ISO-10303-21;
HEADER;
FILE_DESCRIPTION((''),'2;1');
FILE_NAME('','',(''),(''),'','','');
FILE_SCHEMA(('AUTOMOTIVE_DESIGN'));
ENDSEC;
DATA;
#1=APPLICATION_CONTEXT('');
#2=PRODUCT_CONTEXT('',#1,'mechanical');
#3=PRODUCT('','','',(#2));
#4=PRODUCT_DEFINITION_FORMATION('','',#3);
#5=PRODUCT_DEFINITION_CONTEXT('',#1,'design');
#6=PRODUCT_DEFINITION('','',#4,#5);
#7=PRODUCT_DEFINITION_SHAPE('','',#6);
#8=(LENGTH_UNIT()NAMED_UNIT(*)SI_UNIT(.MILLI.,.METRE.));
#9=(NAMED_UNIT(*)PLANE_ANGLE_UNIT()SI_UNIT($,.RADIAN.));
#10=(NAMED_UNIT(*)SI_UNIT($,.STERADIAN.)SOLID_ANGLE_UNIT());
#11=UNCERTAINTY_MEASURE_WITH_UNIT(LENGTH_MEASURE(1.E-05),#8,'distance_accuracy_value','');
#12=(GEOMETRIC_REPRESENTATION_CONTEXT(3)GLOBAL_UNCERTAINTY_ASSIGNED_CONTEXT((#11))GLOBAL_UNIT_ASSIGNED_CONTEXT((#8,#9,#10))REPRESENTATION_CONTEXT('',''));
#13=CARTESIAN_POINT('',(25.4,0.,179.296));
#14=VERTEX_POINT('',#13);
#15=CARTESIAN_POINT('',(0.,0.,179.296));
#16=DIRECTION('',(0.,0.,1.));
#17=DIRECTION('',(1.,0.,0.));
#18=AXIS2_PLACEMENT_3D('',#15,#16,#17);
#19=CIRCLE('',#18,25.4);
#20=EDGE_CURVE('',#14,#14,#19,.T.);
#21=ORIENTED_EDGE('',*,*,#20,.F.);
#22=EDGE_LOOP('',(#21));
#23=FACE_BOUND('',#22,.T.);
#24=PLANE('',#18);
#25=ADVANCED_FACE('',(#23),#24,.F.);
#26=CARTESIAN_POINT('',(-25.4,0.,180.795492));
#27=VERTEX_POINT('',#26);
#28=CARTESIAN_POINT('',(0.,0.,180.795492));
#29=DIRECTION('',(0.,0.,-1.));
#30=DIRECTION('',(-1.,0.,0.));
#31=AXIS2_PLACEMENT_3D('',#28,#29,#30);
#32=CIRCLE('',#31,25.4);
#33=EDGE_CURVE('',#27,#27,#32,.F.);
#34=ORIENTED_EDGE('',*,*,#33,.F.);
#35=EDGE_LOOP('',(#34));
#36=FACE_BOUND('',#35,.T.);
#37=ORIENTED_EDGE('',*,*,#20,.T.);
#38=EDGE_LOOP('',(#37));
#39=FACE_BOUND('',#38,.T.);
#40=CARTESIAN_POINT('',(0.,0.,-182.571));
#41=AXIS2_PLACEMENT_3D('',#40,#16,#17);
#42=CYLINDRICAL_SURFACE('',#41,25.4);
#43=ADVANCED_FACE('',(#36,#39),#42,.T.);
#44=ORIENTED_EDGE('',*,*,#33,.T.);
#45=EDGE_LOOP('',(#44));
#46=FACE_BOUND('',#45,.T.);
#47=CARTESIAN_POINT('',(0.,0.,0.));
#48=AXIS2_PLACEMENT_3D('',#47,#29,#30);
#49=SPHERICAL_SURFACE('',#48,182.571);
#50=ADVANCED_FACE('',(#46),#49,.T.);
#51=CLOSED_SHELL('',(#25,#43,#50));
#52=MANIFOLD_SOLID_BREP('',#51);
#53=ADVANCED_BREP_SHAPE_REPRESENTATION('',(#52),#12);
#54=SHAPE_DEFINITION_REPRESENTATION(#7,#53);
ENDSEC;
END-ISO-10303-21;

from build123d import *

# Parameters (mm, degrees)
SKETCH2_R          = 182.571
SKETCH2_R_2        = 25.4
CUT_EXTRUDE1_DEPTH = 366.142
SKETCH3_R          = 25.4
CUT_EXTRUDE3_DEPTH = 362.867


with BuildPart() as part:
    # Sketch1 → Revolve1 (revolve)
    with BuildSketch(Plane.XY):
        with BuildLine():
            Line((0, 182.571), (0, -182.571))
            ThreePointArc((0, -182.571), (-182.571, 0), (0, 182.571))
        make_face()
    revolve(axis=Axis((0, 182.571, 0), (0, -1, 0)))

    # Sketch2 → Cut-Extrude1 (cut, through all)
    with BuildSketch(Plane.XY.offset(182.571)):
        Circle(SKETCH2_R)
        Circle(SKETCH2_R_2, mode=Mode.SUBTRACT)
    extrude(amount=-CUT_EXTRUDE1_DEPTH, mode=Mode.SUBTRACT)

    # Sketch3 → Cut-Extrude3 (cut, through all)
    with BuildSketch(Plane.XY.offset(179.296)):
        Circle(SKETCH3_R)
    extrude(amount=-CUT_EXTRUDE3_DEPTH, mode=Mode.SUBTRACT)


solid = part.part
